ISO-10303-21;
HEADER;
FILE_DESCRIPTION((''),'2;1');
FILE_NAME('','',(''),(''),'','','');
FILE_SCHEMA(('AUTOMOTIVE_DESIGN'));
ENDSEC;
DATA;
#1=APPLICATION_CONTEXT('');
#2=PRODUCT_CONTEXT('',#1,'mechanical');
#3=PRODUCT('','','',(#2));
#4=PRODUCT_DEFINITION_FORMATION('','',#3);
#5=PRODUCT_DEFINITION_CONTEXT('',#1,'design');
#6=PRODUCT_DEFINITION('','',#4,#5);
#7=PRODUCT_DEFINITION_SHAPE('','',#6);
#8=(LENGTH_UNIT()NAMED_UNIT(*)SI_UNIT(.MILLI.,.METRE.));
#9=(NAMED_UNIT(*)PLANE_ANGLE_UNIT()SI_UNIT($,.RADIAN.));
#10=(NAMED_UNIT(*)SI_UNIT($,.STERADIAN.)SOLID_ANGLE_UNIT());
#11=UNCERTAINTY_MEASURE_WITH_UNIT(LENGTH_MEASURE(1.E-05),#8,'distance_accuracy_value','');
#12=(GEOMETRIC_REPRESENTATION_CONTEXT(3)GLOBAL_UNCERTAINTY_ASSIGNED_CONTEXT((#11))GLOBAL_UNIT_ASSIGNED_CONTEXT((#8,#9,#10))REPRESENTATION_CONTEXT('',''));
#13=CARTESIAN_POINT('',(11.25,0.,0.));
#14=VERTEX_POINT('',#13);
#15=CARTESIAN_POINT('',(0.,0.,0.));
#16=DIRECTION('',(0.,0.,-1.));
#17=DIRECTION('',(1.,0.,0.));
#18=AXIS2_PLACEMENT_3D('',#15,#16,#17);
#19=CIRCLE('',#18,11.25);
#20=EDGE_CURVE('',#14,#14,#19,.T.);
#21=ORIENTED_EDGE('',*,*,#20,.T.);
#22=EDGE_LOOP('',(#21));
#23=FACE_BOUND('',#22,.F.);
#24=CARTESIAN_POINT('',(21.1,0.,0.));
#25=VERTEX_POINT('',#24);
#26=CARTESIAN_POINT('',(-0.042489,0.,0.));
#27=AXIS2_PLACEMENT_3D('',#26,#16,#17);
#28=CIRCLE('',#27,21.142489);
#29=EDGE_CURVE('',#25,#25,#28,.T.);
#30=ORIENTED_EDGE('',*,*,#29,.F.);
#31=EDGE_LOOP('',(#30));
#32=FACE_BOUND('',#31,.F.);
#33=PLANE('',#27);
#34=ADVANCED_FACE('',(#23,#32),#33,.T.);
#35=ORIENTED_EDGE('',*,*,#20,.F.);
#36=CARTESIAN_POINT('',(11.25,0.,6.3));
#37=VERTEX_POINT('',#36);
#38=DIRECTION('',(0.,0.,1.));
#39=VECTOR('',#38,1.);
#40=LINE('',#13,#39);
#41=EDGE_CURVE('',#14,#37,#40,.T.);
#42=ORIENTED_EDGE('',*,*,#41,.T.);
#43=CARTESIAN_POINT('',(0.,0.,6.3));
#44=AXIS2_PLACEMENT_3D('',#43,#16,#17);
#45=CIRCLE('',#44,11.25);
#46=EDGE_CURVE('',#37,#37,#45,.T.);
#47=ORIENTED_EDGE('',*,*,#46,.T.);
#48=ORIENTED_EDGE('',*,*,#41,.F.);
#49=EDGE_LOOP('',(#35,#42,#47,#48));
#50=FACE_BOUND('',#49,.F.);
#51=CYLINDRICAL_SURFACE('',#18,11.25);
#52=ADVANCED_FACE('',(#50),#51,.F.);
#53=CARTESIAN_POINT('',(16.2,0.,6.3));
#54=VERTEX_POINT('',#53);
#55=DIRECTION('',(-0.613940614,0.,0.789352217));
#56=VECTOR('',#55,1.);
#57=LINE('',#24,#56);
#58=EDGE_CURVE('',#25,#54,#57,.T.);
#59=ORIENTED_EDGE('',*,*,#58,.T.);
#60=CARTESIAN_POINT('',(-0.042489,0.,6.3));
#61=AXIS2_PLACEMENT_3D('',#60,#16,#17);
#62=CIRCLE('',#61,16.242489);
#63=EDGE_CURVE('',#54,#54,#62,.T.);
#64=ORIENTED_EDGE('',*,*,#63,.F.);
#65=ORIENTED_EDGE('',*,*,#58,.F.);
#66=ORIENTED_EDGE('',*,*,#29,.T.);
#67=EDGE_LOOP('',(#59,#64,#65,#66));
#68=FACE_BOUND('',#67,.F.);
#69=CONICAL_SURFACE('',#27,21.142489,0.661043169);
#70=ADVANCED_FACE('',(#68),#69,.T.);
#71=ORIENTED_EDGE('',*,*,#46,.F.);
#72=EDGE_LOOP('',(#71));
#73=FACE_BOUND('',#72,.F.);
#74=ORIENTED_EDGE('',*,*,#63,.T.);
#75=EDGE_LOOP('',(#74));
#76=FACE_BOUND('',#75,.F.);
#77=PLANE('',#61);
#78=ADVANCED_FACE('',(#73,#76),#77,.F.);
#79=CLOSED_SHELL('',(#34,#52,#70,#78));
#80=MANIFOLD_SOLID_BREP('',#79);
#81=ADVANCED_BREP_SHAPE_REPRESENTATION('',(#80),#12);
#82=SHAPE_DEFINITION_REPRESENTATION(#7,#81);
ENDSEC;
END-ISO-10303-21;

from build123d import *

# Parameters (mm, degrees)
F2_R     = 11.25
F2_R_2   = 0.042489
F3_DEPTH = 7


with BuildPart() as f1:
    # F0 (on Front) → F1 (revolve)
    with BuildSketch(Plane.XZ):
        Polygon((0, 6.3), (0, 0), (4.749354, 0), (21.1, 0), (16.2, 6.3), align=None)
    revolve(axis=Axis((-0.042489, 0, 4.299833), (0, 0, -1)))

    # F2 (on face) → F3 (cut)
    with BuildSketch(Plane(origin=(0, 0, 0), x_dir=(1, 0, 0), z_dir=(0, 0, -1))):
        Circle(F2_R)
        with Locations((-0.042489, 0)):
            Circle(F2_R_2, mode=Mode.SUBTRACT)
    extrude(amount=-F3_DEPTH, mode=Mode.SUBTRACT)


solid = f1.part
